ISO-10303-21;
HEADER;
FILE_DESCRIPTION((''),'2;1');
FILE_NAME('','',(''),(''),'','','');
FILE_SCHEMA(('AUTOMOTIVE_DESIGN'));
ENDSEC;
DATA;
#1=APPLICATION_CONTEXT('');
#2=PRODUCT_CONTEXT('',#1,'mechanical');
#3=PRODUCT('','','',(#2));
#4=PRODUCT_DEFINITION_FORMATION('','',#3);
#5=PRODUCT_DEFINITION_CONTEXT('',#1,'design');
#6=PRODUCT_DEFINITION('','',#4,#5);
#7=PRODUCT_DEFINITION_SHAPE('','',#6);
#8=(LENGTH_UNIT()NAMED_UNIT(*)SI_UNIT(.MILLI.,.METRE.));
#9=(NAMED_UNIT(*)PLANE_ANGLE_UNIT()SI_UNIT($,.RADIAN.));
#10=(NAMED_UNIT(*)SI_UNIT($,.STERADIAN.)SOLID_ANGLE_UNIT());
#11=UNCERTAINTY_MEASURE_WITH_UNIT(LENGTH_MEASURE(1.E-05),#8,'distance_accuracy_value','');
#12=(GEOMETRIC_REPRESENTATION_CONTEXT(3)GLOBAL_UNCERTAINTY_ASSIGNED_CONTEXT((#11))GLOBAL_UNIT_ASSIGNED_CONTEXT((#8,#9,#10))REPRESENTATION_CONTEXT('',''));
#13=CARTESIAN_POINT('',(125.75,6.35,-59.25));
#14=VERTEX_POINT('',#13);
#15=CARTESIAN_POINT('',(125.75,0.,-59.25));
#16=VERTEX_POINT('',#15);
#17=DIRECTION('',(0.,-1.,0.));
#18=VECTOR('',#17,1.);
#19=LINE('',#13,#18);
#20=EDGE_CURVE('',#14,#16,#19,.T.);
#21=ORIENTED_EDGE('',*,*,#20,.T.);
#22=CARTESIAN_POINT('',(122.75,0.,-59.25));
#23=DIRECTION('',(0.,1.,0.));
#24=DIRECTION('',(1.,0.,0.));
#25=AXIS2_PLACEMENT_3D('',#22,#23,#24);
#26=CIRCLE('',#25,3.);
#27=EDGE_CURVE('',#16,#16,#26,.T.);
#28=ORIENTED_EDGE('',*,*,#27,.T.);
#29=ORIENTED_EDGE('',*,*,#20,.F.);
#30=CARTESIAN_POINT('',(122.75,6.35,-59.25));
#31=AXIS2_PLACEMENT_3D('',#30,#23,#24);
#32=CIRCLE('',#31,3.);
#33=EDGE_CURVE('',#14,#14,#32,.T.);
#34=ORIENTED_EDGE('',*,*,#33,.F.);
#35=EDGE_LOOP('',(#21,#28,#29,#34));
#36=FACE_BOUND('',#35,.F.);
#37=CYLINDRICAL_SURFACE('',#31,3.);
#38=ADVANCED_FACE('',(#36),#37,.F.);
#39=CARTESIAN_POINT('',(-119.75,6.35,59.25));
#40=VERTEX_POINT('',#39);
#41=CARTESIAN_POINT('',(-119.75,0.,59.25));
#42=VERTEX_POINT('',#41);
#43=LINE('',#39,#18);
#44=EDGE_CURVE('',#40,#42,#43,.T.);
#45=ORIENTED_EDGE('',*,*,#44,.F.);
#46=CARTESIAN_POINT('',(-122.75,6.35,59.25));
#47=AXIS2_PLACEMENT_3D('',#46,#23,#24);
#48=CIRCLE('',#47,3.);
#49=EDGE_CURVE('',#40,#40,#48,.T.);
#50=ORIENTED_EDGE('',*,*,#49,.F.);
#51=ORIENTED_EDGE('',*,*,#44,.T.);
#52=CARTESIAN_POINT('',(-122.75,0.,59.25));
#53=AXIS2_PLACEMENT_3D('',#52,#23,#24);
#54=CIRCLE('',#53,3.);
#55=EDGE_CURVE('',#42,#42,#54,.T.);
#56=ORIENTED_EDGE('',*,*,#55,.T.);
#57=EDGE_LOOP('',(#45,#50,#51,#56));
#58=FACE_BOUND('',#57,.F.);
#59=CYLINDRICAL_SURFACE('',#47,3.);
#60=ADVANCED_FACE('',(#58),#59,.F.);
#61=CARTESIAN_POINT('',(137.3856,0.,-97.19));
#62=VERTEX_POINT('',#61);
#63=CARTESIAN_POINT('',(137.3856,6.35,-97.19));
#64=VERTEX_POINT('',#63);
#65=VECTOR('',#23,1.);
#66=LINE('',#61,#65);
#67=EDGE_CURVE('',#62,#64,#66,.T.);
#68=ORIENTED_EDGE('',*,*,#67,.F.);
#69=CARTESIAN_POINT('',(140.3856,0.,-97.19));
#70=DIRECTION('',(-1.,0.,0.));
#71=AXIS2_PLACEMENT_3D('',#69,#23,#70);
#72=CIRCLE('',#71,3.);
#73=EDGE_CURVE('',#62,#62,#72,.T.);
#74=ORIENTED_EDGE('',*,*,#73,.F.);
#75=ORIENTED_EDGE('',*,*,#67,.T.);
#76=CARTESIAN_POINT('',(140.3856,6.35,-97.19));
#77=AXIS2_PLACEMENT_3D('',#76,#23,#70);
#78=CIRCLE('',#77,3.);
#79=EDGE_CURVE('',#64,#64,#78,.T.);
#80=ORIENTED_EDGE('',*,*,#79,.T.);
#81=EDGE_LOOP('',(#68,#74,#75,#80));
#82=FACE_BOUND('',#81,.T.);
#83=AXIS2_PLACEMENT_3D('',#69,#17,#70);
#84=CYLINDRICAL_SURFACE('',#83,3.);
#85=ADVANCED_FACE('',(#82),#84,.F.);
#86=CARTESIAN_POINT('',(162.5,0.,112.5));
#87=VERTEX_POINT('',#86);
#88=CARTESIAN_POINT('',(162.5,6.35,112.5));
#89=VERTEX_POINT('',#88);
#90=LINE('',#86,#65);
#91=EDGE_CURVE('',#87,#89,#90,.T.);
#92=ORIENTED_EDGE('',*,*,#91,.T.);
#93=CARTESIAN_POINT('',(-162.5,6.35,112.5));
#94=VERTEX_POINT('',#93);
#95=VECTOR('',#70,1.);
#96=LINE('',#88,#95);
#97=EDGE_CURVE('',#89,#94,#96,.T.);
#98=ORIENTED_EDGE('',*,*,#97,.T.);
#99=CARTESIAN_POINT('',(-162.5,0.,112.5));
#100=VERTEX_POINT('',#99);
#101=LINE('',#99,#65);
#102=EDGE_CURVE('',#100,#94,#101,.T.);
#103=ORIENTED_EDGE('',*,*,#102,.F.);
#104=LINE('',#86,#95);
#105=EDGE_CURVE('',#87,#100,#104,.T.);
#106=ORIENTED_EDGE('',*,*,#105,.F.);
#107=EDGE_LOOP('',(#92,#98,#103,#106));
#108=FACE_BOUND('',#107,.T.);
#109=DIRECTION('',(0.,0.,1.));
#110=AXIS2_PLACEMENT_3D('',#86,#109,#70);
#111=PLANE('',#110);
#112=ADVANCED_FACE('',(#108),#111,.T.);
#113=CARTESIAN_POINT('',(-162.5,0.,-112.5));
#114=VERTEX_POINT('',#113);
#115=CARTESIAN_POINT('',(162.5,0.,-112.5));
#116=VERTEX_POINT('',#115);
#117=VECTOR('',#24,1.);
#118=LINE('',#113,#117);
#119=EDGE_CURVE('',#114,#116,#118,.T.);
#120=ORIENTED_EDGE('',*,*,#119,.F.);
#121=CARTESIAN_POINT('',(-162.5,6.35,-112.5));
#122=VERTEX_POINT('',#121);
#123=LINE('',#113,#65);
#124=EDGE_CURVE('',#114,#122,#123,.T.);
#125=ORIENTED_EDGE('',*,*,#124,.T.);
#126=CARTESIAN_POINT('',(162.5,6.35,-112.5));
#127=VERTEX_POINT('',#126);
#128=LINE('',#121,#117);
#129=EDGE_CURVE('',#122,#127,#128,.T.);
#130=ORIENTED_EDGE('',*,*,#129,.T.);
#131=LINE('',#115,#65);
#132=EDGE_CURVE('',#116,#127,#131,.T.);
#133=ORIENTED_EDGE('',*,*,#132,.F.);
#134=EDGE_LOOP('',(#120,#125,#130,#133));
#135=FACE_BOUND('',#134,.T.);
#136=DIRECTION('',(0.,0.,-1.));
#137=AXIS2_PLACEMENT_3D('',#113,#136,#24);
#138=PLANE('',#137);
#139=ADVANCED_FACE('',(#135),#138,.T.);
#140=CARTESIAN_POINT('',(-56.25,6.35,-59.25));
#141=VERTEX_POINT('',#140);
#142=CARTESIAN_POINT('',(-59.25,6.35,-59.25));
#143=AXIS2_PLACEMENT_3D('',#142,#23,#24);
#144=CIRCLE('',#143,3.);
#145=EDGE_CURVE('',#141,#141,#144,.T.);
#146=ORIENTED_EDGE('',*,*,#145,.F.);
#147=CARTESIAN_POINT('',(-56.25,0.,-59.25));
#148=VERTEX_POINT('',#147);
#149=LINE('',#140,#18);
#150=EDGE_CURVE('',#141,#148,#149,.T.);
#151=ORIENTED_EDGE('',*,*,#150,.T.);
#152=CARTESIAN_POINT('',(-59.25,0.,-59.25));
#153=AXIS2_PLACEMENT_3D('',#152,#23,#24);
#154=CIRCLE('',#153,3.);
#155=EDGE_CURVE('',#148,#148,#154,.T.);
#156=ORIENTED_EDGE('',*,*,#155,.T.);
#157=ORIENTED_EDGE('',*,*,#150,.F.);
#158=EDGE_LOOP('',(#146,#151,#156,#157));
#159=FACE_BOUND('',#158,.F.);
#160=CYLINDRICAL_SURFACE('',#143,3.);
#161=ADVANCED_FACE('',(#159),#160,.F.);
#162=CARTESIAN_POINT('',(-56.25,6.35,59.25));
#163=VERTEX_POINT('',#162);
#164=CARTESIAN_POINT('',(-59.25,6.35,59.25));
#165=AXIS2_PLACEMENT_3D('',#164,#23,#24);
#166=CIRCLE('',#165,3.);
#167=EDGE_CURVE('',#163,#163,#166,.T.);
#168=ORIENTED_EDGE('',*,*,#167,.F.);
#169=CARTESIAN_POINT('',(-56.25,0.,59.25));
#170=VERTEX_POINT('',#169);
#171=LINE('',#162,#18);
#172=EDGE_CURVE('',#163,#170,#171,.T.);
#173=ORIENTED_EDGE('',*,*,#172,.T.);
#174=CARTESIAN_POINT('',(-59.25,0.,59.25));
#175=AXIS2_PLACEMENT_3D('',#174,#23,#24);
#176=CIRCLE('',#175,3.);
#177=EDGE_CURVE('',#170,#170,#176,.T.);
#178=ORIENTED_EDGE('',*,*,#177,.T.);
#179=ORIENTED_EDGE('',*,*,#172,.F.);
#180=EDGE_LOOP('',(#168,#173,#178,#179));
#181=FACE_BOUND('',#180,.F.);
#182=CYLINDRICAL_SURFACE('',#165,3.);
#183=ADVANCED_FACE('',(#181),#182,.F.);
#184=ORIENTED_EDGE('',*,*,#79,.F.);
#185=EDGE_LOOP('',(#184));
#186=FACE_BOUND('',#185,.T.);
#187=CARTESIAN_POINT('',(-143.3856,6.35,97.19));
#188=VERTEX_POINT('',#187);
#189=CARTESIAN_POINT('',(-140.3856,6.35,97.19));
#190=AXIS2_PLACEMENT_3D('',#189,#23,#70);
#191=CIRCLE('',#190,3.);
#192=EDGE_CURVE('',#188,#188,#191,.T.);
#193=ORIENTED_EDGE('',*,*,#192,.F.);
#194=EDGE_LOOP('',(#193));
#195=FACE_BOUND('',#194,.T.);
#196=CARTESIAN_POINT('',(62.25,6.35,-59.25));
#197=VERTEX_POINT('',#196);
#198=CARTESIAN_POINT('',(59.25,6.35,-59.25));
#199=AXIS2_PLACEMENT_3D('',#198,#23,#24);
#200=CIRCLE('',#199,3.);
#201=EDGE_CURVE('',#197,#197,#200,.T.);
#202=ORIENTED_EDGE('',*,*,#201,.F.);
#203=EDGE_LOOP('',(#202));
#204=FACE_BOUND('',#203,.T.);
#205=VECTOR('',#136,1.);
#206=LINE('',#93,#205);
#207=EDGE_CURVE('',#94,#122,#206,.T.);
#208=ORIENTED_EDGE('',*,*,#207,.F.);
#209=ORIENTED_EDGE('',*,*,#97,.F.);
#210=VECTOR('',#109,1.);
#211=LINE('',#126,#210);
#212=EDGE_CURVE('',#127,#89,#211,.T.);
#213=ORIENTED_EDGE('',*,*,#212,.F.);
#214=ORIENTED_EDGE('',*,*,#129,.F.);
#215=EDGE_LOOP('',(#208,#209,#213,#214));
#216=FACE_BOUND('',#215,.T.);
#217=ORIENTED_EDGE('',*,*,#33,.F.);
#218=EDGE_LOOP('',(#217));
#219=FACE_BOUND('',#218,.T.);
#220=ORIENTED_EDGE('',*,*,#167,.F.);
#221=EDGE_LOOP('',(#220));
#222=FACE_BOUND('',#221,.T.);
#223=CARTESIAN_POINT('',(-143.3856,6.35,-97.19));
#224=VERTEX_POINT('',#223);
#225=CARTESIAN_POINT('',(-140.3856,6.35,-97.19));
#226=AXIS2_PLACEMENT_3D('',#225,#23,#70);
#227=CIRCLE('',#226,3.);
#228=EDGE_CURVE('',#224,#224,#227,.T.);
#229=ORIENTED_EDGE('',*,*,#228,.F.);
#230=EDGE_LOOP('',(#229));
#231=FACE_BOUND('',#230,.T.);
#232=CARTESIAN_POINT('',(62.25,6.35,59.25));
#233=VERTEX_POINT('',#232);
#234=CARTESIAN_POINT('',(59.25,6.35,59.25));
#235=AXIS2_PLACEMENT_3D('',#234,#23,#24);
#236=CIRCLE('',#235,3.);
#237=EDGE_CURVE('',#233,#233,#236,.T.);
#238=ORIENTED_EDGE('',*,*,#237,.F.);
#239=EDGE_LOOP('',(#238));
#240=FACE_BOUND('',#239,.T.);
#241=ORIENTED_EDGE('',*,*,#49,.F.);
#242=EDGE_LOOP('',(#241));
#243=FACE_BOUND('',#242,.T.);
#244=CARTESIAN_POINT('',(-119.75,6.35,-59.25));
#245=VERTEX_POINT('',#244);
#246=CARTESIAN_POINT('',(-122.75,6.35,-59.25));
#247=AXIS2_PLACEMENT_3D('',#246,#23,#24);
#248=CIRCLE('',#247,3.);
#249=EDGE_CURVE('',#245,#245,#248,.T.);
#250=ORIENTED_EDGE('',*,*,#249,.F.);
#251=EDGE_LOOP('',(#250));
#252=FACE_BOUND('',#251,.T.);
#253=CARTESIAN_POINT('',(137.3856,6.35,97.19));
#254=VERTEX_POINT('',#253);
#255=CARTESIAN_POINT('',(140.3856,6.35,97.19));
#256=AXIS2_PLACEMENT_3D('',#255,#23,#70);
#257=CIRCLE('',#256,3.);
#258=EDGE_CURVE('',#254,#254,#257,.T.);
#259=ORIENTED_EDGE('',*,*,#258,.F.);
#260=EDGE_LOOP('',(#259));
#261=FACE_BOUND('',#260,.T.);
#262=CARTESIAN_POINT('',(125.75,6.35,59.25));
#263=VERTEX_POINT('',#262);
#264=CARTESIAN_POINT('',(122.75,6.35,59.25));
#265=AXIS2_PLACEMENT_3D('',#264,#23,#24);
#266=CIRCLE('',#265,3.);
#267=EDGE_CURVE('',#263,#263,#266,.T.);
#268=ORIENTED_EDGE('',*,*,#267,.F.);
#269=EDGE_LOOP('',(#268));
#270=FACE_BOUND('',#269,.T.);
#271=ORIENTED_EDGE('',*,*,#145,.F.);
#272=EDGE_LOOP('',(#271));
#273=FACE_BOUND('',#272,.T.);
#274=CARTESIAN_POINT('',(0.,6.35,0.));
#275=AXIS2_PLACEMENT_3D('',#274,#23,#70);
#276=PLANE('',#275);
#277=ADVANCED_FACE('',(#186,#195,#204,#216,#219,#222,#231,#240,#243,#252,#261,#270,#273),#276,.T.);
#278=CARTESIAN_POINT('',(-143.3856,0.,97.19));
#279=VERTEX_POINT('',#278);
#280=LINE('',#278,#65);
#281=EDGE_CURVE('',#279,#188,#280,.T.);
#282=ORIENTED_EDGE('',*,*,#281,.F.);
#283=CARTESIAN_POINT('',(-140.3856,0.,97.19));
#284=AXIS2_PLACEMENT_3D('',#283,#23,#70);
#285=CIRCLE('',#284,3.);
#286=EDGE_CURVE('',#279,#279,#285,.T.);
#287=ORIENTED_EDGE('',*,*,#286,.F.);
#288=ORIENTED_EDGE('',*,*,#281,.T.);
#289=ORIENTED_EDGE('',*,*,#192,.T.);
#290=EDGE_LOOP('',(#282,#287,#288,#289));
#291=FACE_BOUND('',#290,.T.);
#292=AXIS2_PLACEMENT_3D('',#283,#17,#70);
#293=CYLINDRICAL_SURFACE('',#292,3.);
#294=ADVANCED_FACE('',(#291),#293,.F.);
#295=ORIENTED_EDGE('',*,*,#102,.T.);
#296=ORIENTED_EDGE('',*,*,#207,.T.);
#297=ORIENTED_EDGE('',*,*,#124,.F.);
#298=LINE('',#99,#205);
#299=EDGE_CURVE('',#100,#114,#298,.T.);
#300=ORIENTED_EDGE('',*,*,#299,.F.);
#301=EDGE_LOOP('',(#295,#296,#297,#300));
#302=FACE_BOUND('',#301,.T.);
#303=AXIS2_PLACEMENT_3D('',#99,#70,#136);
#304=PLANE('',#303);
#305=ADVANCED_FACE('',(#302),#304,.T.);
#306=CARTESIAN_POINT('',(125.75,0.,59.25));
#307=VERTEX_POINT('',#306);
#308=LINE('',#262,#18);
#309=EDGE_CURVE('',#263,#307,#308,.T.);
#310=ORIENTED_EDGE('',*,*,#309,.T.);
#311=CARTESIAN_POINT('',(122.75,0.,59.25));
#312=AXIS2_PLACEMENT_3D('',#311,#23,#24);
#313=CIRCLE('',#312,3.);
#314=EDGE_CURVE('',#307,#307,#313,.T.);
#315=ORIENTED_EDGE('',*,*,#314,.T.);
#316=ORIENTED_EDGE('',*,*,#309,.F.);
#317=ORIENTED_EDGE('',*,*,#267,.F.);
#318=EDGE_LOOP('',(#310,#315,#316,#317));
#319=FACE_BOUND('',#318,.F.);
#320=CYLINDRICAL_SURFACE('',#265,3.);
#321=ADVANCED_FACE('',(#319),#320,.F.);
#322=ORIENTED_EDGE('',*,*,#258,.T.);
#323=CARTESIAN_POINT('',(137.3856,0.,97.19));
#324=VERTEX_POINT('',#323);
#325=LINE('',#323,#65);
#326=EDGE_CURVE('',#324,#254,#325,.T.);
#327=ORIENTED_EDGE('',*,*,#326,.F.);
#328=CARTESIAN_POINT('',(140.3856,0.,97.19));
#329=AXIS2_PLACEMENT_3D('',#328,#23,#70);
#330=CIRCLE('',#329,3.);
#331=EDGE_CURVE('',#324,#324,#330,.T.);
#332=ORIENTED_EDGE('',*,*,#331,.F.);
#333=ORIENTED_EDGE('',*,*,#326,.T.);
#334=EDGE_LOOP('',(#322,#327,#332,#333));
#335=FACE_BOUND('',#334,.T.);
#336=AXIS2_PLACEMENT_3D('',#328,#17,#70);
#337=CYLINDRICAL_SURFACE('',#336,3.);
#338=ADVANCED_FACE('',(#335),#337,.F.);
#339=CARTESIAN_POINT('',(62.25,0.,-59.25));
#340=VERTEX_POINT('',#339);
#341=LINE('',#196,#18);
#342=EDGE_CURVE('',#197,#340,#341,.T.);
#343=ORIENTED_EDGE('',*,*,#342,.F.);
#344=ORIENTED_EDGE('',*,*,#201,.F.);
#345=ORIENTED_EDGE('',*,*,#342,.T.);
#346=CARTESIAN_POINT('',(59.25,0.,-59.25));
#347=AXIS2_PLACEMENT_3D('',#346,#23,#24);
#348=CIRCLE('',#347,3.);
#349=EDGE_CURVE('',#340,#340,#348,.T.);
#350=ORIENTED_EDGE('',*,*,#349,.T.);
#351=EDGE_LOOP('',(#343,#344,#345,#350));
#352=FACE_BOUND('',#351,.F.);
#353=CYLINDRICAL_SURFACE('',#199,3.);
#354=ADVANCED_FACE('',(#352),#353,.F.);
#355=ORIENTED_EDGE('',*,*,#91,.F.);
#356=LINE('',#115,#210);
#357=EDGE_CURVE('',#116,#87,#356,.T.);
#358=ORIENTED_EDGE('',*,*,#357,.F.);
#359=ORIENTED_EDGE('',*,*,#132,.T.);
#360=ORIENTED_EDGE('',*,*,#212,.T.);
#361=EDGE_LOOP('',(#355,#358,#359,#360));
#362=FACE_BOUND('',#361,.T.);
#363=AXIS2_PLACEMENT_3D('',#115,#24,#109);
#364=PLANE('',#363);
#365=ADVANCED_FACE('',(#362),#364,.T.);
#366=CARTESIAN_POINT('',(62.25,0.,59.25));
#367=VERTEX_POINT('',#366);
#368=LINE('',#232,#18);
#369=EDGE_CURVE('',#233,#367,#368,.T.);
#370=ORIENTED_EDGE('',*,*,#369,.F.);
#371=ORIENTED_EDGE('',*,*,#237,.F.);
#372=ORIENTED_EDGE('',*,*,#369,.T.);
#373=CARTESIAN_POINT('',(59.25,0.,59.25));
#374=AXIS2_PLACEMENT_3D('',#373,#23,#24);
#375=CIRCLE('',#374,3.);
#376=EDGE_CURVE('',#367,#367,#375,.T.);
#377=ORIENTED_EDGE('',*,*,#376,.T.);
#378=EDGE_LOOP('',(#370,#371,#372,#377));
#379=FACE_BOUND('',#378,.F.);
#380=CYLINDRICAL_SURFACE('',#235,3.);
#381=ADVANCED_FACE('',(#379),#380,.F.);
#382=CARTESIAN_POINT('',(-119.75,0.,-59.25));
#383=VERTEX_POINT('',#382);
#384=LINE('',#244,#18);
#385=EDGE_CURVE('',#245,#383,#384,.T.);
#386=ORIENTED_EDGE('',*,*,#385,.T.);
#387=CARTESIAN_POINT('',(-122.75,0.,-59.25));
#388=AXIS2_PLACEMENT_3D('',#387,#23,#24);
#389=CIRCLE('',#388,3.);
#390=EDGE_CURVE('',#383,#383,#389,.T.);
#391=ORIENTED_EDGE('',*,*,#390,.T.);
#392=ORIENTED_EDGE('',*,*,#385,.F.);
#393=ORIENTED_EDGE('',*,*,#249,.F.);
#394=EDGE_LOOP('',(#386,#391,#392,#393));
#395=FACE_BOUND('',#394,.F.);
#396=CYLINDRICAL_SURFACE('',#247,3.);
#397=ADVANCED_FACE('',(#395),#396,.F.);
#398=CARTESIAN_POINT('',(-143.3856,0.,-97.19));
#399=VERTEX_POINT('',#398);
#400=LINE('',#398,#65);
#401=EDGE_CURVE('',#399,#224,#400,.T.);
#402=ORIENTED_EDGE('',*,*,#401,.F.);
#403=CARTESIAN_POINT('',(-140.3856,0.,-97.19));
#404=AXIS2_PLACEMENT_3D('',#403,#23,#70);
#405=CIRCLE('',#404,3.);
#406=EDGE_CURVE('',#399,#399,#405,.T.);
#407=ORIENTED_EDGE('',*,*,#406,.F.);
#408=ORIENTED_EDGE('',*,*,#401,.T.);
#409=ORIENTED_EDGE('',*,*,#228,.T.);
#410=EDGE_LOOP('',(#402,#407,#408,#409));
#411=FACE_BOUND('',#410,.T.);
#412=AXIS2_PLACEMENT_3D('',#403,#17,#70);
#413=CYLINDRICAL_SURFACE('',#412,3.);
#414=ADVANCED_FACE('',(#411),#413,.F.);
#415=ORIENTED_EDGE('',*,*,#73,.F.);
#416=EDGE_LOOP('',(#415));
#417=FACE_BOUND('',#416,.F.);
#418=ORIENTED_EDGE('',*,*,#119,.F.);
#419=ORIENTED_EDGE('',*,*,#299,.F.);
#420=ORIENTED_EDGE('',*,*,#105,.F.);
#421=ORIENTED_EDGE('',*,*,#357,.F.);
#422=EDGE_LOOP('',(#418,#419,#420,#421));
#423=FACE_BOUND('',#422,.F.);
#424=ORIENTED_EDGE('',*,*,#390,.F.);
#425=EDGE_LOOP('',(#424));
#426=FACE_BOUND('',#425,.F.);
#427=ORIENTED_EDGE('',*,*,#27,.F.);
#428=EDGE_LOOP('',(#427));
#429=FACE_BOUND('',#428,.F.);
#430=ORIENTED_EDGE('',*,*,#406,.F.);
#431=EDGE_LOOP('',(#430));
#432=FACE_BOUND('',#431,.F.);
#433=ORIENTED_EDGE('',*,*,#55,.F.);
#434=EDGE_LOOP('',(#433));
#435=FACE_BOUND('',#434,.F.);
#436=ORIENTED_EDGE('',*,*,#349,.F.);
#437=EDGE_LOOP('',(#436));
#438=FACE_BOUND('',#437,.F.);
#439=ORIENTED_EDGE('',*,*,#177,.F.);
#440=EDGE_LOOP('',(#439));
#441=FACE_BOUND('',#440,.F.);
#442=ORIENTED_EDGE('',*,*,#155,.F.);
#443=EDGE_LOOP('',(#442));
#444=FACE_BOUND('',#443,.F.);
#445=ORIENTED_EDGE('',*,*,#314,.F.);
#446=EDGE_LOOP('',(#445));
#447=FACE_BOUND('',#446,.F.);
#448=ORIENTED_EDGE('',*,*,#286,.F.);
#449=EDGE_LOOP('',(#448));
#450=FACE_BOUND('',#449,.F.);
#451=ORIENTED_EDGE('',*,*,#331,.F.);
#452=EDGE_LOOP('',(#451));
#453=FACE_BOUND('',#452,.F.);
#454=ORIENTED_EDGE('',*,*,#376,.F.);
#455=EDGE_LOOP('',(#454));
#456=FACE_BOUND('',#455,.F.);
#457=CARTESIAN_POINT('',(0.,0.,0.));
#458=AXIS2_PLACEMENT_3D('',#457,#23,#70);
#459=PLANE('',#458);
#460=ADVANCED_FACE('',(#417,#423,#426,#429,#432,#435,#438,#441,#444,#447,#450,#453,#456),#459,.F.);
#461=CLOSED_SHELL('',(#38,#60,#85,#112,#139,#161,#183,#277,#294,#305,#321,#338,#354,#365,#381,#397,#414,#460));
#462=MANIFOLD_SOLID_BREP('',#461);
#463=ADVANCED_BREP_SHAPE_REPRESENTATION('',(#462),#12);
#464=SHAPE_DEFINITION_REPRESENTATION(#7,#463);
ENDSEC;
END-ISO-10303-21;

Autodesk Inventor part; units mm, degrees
ref_plane "YZ Plane" through (0, 0, 0) normal (1, 0, 0) x (0, 1, 0)
ref_plane "XZ Plane" through (0, 0, 0) normal (0, 1, 0) x (-1, 0, 0)
ref_plane "XY Plane" through (0, 0, 0) normal (0, 0, 1) x (1, 0, 0)
sketch "Sketch1" plane through (0, 0, 0) normal (0, 1, 0) x (-1, 0, 0)
  line L0 (-162.5, 112.5) -> (162.5, 112.5)
  line L1 (162.5, 112.5) -> (162.5, -112.5)
  line L2 (162.5, -112.5) -> (-162.5, -112.5)
  line L3 (-162.5, -112.5) -> (-162.5, 112.5)
  line L4 (-162.5, 112.5) -> (162.5, -112.5) construction
  line L5 (162.5, 112.5) -> (-162.5, -112.5) construction
  line L6 (-140.3856, -97.19) -> (140.3856, -97.19) construction
  line L7 (140.3856, -97.19) -> (140.3856, 97.19) construction
  line L8 (140.3856, 97.19) -> (-140.3856, 97.19) construction
  line L9 (-140.3856, 97.19) -> (-140.3856, -97.19) construction
  line L10 (-140.3856, -97.19) -> (140.3856, 97.19) construction
  line L11 (140.3856, -97.19) -> (-140.3856, 97.19) construction
  circle A0 centre (140.3856, 97.19) radius 3
  line L12 (0, 467.949) -> (0, -391.4434) construction
  line L13 (289.9763, 0) -> (-240.0681, 0) construction
  circle A1 centre (140.3856, -97.19) radius 3
  circle A2 centre (-140.3856, 97.19) radius 3
  circle A3 centre (-140.3856, -97.19) radius 3
  point P0 (0, 0)
  dimension "d0" = 325
  dimension "d1" = 225
  dimension "d6" = 6
extrude "Extrusion1" add sketch "Sketch1" along normal blind 6.35
sketch "Sketch3" plane through (0, 6.35, 0) normal (0, 1, 0) x (1, 0, 0)
  line L0 (-122.75, -59.25) -> (122.75, -59.25) construction
  line L1 (122.75, -59.25) -> (122.75, 59.25) construction
  line L2 (122.75, 59.25) -> (-122.75, 59.25) construction
  line L3 (-122.75, 59.25) -> (-122.75, -59.25) construction
  line L4 (-122.75, -59.25) -> (122.75, 59.25) construction
  line L5 (122.75, -59.25) -> (-122.75, 59.25) construction
  line L6 (-59.25, -59.25) -> (59.25, -59.25) construction
  line L7 (59.25, -59.25) -> (59.25, 59.25) construction
  line L8 (59.25, 59.25) -> (-59.25, 59.25) construction
  line L9 (-59.25, 59.25) -> (-59.25, -59.25) construction
  line L10 (-59.25, -59.25) -> (59.25, 59.25) construction
  line L11 (59.25, -59.25) -> (-59.25, 59.25) construction
  circle A0 centre (-122.75, 59.25) radius 3
  circle A1 centre (-59.25, 59.25) radius 3
  line L12 (0, 196.1664) -> (0, -273.9197) construction
  line L13 (-414.1758, 0) -> (534.2765, 0) construction
  circle A2 centre (-122.75, -59.25) radius 3
  circle A3 centre (-59.25, -59.25) radius 3
  line L14 (0, -196.1664) -> (0, 273.9197) construction
  circle A4 centre (-122.75, -59.25) radius 3
  circle A5 centre (-59.25, -59.25) radius 3
  circle A6 centre (122.75, 59.25) radius 3
  circle A7 centre (59.25, 59.25) radius 3
  circle A8 centre (59.25, -59.25) radius 3
  circle A9 centre (122.75, -59.25) radius 3
  point P0 (0, 0)
  dimension "d17" = 245.5
  dimension "d18" = 118.5
  dimension "d19" = 118.5
  dimension "d20" = 6
extrude "Extrusion3" cut sketch "Sketch3" against normal up to surface (6.35 mm away)
properties part number "base"
